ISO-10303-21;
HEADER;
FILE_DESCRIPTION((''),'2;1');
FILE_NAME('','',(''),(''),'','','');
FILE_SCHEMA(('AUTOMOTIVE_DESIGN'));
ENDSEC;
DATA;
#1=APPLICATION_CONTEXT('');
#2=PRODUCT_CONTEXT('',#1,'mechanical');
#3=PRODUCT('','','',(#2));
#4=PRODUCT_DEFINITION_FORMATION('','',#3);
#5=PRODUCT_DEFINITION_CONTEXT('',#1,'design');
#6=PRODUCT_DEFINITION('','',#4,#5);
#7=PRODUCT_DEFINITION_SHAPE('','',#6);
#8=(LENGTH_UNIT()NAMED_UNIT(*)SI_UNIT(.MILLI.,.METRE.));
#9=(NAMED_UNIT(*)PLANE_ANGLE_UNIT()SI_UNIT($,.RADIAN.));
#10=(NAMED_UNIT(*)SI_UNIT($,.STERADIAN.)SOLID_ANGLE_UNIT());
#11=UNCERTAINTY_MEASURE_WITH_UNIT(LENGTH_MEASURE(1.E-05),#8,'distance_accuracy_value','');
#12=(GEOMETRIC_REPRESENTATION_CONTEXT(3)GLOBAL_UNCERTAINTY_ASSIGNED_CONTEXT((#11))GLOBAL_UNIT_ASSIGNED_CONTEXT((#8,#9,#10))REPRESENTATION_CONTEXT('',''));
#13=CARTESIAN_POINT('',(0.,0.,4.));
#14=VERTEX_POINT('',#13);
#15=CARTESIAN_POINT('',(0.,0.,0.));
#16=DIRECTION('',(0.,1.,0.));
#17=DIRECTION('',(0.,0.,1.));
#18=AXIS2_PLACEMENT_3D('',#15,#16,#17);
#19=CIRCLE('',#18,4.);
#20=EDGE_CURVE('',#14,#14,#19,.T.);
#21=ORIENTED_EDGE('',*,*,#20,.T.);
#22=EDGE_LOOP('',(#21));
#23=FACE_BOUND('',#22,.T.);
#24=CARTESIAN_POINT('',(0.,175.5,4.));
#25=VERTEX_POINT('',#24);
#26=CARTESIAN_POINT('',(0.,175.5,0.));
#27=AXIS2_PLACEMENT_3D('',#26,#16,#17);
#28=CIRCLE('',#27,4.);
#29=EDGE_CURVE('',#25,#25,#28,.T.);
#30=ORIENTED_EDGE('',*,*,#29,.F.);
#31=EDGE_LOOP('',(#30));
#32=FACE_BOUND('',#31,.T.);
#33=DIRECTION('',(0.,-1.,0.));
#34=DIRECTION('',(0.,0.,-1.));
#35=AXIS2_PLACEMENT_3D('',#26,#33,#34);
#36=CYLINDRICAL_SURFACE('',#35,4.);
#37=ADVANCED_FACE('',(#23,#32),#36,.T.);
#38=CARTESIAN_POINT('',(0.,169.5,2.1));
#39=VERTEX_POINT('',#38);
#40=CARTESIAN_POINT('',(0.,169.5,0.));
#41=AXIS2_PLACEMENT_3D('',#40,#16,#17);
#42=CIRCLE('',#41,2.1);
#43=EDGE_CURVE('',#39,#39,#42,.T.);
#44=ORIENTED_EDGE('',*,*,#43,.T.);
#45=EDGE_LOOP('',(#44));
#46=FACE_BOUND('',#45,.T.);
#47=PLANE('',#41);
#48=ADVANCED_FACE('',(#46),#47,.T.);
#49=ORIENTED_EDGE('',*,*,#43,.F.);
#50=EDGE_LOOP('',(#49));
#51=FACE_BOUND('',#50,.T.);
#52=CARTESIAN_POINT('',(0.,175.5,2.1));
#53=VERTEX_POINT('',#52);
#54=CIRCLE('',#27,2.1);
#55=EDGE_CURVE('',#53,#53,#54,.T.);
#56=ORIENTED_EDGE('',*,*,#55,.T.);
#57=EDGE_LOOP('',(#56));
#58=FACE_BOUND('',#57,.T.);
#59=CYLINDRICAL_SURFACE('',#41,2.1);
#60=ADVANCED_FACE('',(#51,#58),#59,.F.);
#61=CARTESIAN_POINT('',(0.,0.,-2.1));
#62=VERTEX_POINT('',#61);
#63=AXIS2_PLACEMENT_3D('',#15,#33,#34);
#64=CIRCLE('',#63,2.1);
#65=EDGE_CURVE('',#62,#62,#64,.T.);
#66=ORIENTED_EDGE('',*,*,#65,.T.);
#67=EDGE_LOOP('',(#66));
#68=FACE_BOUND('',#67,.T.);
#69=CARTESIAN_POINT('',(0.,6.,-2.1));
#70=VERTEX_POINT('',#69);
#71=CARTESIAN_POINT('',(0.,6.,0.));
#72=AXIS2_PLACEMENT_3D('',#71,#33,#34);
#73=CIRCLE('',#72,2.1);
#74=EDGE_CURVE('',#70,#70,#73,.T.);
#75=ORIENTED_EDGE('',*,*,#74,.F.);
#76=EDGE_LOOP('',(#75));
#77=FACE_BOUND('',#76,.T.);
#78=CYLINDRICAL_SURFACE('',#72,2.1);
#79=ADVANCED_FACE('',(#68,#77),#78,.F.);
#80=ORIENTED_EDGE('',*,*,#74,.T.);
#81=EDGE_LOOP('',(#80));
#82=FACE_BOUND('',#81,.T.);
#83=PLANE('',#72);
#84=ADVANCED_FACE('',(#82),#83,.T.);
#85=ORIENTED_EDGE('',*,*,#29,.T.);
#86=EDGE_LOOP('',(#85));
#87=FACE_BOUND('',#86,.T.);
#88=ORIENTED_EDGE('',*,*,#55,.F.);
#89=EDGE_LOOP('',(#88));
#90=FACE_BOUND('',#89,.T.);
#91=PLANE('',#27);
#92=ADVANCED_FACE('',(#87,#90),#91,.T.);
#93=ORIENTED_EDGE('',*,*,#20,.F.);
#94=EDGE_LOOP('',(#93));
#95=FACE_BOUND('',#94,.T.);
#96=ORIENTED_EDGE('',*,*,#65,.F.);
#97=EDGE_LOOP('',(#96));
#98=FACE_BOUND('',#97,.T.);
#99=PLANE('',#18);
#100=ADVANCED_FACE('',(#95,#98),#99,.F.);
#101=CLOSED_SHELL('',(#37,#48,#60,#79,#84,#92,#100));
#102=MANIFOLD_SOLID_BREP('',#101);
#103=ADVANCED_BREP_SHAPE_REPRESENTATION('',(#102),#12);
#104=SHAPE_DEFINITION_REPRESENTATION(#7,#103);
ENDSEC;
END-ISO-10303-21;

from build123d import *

# Parameters (mm, degrees)
SKETCH_1_R          = 4
EXTRUDE_1_DEPTH     = 175.5
SKETCH_2_R          = 2.1
CUT_EXTRUDE_1_DEPTH = 6
SKETCH_3_R          = 2.1
CUT_EXTRUDE_2_DEPTH = 6


with BuildPart() as part:
    # ｽｹｯﾁ1 → ﾎﾞｽ - 押し出し1 (new body)
    with BuildSketch(Plane(origin=(0, 0, 0), x_dir=(1, 0, 0), z_dir=(0, 1, 0))):
        Circle(SKETCH_1_R)
    extrude(amount=EXTRUDE_1_DEPTH)

    # ｽｹｯﾁ2 → ｶｯﾄ - 押し出し1 (cut)
    with BuildSketch(Plane(origin=(0, 175.5, 0), x_dir=(1, 0, 0), z_dir=(0, 1, 0))):
        Circle(SKETCH_2_R)
    extrude(amount=-CUT_EXTRUDE_1_DEPTH, mode=Mode.SUBTRACT)

    # ｽｹｯﾁ3 → ｶｯﾄ - 押し出し2 (cut)
    with BuildSketch(Plane.XZ):
        Circle(SKETCH_3_R)
    extrude(amount=-CUT_EXTRUDE_2_DEPTH, mode=Mode.SUBTRACT)


solid = part.part
